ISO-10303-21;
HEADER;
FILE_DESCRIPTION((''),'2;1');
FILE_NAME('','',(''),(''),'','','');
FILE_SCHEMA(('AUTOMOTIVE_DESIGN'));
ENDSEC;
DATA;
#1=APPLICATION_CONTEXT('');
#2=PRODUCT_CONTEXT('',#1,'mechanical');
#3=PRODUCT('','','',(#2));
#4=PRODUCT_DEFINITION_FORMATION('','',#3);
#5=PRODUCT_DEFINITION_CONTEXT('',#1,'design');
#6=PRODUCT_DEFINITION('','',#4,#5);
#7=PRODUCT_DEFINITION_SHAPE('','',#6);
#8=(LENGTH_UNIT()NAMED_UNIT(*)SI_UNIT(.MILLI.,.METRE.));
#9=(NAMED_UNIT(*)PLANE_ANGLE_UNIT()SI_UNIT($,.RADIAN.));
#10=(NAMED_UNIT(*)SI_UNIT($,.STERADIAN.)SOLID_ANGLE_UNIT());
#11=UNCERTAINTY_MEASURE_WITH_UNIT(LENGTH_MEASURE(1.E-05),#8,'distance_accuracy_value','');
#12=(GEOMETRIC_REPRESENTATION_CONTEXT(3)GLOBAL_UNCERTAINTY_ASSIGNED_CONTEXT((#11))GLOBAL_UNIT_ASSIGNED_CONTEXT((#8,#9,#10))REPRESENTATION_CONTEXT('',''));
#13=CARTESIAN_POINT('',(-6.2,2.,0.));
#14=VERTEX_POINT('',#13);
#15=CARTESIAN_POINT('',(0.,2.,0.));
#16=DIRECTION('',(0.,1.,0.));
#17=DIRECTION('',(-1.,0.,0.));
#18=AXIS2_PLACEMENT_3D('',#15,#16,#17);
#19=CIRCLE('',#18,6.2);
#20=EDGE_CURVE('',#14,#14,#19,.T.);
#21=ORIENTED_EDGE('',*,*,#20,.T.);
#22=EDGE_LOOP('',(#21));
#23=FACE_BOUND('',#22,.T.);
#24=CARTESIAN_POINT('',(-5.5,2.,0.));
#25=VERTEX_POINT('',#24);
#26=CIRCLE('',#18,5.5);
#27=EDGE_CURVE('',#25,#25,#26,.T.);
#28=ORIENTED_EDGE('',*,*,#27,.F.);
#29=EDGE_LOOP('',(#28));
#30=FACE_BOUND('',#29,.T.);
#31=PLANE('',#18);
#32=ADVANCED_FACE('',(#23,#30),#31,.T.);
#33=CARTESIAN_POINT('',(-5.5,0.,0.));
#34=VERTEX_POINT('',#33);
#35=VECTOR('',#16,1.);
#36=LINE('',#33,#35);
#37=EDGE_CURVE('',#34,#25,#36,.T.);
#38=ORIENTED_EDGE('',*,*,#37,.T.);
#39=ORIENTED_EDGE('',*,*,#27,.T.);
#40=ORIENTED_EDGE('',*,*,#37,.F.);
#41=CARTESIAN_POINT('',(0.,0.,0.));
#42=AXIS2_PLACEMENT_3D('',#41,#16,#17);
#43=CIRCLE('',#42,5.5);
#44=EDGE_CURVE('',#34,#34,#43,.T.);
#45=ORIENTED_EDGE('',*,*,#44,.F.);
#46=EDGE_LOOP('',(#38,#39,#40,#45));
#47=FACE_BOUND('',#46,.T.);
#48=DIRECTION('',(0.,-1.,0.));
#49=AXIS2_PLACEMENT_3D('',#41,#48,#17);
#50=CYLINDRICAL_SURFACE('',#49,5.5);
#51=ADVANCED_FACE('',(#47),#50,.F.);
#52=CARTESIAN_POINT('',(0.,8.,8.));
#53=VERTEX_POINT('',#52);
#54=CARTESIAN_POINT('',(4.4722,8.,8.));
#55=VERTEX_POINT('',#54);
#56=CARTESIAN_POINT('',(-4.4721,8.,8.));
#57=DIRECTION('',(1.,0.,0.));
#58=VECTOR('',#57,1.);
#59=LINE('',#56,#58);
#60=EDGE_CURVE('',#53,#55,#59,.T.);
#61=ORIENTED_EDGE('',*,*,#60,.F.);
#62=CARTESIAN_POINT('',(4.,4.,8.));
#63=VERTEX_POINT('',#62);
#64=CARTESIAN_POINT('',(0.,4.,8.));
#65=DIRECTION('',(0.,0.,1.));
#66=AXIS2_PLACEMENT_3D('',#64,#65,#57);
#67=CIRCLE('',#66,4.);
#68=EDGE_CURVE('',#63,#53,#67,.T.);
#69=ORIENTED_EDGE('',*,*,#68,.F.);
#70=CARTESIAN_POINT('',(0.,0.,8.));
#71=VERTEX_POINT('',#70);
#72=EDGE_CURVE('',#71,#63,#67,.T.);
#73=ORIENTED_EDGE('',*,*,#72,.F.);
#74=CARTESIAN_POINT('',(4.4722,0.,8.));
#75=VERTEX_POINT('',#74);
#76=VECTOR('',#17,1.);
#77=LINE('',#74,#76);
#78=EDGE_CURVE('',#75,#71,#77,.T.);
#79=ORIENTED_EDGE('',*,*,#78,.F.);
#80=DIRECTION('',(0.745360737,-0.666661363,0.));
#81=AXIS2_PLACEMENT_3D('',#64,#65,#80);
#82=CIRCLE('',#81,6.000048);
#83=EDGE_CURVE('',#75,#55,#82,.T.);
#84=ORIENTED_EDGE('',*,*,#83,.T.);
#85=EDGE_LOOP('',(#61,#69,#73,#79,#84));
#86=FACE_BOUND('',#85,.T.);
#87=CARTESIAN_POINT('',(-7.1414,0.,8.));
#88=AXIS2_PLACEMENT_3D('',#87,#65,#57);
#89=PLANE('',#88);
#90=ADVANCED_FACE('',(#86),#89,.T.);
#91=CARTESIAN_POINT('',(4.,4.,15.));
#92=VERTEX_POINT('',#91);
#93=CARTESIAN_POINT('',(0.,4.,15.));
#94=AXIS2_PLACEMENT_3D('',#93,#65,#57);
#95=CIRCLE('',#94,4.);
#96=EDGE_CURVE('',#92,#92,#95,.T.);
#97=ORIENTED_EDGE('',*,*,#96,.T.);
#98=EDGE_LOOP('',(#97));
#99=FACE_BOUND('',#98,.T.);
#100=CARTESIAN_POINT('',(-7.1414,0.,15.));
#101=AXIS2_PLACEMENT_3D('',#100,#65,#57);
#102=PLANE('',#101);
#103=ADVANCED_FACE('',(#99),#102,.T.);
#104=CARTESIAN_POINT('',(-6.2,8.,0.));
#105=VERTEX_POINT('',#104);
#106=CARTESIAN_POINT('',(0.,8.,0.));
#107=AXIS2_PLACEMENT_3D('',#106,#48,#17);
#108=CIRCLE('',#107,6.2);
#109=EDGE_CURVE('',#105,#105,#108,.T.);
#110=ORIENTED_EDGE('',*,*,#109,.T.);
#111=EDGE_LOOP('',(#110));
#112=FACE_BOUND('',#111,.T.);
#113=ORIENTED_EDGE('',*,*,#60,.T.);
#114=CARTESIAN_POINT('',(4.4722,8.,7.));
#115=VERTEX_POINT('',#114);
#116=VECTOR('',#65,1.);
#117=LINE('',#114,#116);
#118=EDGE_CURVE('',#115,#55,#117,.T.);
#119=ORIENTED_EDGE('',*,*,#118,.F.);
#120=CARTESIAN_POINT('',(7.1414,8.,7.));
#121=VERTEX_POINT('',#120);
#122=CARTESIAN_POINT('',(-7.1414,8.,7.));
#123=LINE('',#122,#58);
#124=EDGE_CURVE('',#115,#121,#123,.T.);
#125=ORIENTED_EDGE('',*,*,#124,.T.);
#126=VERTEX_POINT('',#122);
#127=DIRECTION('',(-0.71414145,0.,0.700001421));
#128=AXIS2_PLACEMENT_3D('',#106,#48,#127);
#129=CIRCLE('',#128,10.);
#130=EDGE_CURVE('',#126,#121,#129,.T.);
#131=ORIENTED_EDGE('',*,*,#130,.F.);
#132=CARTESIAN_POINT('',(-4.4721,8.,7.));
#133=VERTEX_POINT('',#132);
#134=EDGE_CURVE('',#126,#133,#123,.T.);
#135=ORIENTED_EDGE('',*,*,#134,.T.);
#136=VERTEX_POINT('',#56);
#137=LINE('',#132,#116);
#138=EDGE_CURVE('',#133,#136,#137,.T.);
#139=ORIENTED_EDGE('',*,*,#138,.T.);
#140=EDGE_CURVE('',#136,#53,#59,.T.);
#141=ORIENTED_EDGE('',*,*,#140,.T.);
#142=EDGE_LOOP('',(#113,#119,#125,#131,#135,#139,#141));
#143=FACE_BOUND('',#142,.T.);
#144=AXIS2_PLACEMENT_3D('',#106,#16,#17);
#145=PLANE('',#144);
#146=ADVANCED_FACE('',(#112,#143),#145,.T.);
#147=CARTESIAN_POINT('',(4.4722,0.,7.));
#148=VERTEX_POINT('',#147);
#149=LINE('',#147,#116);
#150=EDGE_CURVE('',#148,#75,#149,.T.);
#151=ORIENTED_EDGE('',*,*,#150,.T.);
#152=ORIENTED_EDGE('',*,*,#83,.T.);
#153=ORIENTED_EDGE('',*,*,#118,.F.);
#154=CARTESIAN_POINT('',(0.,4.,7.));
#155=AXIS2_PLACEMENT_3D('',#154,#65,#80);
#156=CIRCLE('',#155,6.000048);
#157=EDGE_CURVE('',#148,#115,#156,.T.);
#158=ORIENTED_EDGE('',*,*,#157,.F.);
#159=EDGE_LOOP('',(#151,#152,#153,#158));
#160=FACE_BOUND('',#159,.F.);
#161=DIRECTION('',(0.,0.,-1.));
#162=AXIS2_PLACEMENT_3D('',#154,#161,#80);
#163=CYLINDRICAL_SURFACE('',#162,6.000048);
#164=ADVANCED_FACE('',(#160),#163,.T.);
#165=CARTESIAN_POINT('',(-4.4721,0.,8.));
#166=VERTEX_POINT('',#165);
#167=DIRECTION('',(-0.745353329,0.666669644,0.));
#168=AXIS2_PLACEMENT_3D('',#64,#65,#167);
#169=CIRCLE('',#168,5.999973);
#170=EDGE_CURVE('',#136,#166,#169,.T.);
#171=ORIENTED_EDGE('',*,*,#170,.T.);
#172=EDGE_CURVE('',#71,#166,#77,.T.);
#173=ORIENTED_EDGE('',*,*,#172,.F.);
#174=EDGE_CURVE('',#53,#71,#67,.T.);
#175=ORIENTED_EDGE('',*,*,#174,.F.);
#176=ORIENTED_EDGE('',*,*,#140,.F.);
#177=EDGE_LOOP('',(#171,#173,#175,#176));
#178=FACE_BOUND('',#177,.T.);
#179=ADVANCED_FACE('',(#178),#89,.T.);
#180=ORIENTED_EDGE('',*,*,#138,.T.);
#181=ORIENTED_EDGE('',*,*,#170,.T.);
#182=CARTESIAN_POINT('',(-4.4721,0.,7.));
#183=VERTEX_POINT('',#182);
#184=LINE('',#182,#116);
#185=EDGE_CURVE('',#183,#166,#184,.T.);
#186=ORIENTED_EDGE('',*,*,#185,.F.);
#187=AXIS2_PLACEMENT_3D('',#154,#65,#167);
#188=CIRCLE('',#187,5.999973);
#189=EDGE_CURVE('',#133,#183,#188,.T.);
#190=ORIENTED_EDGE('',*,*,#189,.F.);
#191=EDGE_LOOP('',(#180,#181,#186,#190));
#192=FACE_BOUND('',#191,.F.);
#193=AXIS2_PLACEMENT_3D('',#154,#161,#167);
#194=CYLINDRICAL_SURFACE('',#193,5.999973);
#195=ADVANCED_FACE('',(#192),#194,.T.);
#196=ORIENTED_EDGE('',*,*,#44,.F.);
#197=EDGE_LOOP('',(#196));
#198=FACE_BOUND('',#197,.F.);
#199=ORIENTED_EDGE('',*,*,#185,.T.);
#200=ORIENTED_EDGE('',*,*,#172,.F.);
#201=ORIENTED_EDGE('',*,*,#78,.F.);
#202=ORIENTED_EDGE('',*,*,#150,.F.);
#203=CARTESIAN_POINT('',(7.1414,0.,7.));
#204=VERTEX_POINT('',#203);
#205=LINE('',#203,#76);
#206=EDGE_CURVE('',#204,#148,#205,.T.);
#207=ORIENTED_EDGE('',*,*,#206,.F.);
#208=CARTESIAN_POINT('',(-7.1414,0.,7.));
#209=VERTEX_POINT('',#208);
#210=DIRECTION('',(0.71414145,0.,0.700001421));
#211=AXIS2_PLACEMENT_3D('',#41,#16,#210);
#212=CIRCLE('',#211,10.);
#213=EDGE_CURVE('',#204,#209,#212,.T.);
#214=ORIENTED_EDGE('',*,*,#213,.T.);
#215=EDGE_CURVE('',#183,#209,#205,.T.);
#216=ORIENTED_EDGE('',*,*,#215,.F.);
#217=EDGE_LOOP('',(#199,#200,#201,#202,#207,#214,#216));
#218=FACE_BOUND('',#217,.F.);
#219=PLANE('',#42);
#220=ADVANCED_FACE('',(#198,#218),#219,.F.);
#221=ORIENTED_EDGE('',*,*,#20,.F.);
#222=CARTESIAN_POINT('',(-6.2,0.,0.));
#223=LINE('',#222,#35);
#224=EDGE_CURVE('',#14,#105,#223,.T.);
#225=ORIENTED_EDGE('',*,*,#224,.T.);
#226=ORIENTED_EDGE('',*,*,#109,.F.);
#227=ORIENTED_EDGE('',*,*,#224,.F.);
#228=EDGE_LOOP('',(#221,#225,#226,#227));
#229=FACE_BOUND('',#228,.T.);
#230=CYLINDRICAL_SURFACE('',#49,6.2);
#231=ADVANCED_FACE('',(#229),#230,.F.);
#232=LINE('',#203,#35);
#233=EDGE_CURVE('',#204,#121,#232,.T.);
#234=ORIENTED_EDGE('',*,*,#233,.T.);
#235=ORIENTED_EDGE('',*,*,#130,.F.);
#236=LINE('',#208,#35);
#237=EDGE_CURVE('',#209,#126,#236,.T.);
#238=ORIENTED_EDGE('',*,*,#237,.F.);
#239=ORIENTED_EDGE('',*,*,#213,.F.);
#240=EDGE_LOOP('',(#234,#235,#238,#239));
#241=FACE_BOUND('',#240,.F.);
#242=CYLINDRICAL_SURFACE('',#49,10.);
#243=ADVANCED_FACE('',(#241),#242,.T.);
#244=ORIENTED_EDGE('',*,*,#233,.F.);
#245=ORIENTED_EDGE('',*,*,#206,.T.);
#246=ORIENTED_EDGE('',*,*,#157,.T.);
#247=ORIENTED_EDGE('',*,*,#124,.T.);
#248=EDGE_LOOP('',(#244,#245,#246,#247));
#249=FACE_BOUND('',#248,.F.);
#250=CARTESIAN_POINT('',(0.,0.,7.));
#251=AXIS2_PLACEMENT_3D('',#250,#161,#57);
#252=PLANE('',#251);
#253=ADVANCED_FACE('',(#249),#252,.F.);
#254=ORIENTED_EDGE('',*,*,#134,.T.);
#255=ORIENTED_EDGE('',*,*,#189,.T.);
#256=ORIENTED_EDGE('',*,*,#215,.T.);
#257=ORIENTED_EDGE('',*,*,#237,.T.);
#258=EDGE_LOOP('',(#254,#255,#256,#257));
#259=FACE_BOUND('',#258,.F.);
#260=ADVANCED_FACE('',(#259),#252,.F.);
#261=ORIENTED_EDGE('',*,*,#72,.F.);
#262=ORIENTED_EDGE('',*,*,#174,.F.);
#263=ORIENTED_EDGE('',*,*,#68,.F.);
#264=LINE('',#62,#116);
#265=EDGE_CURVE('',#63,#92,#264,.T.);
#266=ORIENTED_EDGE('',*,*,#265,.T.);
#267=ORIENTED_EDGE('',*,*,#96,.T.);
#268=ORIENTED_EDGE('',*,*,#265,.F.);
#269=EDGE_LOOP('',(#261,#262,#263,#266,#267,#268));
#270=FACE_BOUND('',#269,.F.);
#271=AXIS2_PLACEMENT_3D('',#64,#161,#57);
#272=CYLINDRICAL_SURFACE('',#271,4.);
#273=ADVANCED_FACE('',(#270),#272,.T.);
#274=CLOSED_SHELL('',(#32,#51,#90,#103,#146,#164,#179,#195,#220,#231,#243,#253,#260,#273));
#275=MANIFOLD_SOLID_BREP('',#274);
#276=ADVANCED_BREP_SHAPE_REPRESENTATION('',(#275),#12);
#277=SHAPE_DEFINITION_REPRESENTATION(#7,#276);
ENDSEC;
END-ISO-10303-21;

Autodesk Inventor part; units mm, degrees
ref_plane "YZ Plane" through (0, 0, 0) normal (1, 0, 0) x (0, 1, 0)
ref_plane "XZ Plane" through (0, 0, 0) normal (0, 1, 0) x (-1, 0, 0)
ref_plane "XY Plane" through (0, 0, 0) normal (0, 0, 1) x (1, 0, 0)
sketch "Sketch1" plane through (0, 0, 0) normal (0, 1, 0) x (-1, 0, 0)
  line L0 (0, -19.6) -> (0, 19.6) projected
  line L1 (19.6, 0) -> (-19.6, 0) projected
  circle A0 centre (0, 0) radius 2
  circle A1 centre (0, 0) radius 6.2
  circle A2 centre (0, 0) radius 14
  line L2 (4, -13.4164) -> (-4, -13.4164)
  circle A3 centre (0, 0) radius 10
  line L3 (6, 8) -> (-6, 8)
  line L4 (7.1414, 7) -> (-7.1414, 7)
  dimension "d0" = 4
  dimension "d1" = 12.4
  dimension "d2" = 28
  dimension "d3" = 8
  dimension "d4" = 20
  dimension "d5" = 12
  dimension "d7" = 1
extrude "Extrusion1" add sketch "Sketch1" along normal blind 8 contours A3 L1 A1 L0 | L0 A1 L1 A3 | A3 L4 L0 A1 L1 | L1 A1 L0 L4 A3
sketch "Sketch2" plane through (-7.1414, 0, 7) normal (0, 0, 1) x (1, 0, 0)
  line L0 (0, 0) -> (14.2829, 0) projected
  line L1 (14.2829, 0) -> (14.2829, 8) projected
  line L2 (0, 8) -> (14.2829, 8) projected
  line L3 (0, 0) -> (0, 8) projected
  line L4 (7.1414, -4) -> (7.1414, 10) projected
  line L5 (2.6693, 8) -> (11.6136, 8)
  line L6 (2.6693, 0) -> (11.6136, 0)
  arc A0 (2.6693, 8) -> (2.6693, 0) centre (7.1414, 4) ccw
  arc A1 (11.6136, 0) -> (11.6136, 8) centre (7.1414, 4) ccw
  point P0 (7.1414, 0)
  dimension "d10" = 4
  dimension "d26" = 8
  dimension "d27" = 6
  dimension "d28" = 6
extrude "Extrusion2" add sketch "Sketch2" along normal blind 1 contours A0 L2 L4 L0 | L4 L2 A1 L0
sketch "Sketch3" plane through (-7.1414, 0, 8) normal (0, 0, 1) x (1, 0, 0)
  arc A0 (2.6693, 8) -> (2.6693, 0) centre (7.1414, 4) ccw projected
  circle A1 centre (7.1414, 4) radius 4
  point P0 (7.1414, 0)
  point P1 (6.5905, 0)
  point P2 (6.5905, 4)
  dimension "d14" = 8
extrude "Extrusion3" add sketch "Sketch3" along normal blind 7
sketch "Sketch4" plane through (0, 0, 0) normal (0, 1, 0) x (-1, 0, 0)
  circle A0 centre (0, 0) radius 5.5
  circle A1 centre (0, 0) radius 6.2 projected
  circle A2 centre (0, 0) radius 6.5
  dimension "d29" = 11
  dimension "d30" = 13
extrude "Extrusion4" add sketch "Sketch4" along normal blind 2 contours A1
properties part number "borde libre chico"
